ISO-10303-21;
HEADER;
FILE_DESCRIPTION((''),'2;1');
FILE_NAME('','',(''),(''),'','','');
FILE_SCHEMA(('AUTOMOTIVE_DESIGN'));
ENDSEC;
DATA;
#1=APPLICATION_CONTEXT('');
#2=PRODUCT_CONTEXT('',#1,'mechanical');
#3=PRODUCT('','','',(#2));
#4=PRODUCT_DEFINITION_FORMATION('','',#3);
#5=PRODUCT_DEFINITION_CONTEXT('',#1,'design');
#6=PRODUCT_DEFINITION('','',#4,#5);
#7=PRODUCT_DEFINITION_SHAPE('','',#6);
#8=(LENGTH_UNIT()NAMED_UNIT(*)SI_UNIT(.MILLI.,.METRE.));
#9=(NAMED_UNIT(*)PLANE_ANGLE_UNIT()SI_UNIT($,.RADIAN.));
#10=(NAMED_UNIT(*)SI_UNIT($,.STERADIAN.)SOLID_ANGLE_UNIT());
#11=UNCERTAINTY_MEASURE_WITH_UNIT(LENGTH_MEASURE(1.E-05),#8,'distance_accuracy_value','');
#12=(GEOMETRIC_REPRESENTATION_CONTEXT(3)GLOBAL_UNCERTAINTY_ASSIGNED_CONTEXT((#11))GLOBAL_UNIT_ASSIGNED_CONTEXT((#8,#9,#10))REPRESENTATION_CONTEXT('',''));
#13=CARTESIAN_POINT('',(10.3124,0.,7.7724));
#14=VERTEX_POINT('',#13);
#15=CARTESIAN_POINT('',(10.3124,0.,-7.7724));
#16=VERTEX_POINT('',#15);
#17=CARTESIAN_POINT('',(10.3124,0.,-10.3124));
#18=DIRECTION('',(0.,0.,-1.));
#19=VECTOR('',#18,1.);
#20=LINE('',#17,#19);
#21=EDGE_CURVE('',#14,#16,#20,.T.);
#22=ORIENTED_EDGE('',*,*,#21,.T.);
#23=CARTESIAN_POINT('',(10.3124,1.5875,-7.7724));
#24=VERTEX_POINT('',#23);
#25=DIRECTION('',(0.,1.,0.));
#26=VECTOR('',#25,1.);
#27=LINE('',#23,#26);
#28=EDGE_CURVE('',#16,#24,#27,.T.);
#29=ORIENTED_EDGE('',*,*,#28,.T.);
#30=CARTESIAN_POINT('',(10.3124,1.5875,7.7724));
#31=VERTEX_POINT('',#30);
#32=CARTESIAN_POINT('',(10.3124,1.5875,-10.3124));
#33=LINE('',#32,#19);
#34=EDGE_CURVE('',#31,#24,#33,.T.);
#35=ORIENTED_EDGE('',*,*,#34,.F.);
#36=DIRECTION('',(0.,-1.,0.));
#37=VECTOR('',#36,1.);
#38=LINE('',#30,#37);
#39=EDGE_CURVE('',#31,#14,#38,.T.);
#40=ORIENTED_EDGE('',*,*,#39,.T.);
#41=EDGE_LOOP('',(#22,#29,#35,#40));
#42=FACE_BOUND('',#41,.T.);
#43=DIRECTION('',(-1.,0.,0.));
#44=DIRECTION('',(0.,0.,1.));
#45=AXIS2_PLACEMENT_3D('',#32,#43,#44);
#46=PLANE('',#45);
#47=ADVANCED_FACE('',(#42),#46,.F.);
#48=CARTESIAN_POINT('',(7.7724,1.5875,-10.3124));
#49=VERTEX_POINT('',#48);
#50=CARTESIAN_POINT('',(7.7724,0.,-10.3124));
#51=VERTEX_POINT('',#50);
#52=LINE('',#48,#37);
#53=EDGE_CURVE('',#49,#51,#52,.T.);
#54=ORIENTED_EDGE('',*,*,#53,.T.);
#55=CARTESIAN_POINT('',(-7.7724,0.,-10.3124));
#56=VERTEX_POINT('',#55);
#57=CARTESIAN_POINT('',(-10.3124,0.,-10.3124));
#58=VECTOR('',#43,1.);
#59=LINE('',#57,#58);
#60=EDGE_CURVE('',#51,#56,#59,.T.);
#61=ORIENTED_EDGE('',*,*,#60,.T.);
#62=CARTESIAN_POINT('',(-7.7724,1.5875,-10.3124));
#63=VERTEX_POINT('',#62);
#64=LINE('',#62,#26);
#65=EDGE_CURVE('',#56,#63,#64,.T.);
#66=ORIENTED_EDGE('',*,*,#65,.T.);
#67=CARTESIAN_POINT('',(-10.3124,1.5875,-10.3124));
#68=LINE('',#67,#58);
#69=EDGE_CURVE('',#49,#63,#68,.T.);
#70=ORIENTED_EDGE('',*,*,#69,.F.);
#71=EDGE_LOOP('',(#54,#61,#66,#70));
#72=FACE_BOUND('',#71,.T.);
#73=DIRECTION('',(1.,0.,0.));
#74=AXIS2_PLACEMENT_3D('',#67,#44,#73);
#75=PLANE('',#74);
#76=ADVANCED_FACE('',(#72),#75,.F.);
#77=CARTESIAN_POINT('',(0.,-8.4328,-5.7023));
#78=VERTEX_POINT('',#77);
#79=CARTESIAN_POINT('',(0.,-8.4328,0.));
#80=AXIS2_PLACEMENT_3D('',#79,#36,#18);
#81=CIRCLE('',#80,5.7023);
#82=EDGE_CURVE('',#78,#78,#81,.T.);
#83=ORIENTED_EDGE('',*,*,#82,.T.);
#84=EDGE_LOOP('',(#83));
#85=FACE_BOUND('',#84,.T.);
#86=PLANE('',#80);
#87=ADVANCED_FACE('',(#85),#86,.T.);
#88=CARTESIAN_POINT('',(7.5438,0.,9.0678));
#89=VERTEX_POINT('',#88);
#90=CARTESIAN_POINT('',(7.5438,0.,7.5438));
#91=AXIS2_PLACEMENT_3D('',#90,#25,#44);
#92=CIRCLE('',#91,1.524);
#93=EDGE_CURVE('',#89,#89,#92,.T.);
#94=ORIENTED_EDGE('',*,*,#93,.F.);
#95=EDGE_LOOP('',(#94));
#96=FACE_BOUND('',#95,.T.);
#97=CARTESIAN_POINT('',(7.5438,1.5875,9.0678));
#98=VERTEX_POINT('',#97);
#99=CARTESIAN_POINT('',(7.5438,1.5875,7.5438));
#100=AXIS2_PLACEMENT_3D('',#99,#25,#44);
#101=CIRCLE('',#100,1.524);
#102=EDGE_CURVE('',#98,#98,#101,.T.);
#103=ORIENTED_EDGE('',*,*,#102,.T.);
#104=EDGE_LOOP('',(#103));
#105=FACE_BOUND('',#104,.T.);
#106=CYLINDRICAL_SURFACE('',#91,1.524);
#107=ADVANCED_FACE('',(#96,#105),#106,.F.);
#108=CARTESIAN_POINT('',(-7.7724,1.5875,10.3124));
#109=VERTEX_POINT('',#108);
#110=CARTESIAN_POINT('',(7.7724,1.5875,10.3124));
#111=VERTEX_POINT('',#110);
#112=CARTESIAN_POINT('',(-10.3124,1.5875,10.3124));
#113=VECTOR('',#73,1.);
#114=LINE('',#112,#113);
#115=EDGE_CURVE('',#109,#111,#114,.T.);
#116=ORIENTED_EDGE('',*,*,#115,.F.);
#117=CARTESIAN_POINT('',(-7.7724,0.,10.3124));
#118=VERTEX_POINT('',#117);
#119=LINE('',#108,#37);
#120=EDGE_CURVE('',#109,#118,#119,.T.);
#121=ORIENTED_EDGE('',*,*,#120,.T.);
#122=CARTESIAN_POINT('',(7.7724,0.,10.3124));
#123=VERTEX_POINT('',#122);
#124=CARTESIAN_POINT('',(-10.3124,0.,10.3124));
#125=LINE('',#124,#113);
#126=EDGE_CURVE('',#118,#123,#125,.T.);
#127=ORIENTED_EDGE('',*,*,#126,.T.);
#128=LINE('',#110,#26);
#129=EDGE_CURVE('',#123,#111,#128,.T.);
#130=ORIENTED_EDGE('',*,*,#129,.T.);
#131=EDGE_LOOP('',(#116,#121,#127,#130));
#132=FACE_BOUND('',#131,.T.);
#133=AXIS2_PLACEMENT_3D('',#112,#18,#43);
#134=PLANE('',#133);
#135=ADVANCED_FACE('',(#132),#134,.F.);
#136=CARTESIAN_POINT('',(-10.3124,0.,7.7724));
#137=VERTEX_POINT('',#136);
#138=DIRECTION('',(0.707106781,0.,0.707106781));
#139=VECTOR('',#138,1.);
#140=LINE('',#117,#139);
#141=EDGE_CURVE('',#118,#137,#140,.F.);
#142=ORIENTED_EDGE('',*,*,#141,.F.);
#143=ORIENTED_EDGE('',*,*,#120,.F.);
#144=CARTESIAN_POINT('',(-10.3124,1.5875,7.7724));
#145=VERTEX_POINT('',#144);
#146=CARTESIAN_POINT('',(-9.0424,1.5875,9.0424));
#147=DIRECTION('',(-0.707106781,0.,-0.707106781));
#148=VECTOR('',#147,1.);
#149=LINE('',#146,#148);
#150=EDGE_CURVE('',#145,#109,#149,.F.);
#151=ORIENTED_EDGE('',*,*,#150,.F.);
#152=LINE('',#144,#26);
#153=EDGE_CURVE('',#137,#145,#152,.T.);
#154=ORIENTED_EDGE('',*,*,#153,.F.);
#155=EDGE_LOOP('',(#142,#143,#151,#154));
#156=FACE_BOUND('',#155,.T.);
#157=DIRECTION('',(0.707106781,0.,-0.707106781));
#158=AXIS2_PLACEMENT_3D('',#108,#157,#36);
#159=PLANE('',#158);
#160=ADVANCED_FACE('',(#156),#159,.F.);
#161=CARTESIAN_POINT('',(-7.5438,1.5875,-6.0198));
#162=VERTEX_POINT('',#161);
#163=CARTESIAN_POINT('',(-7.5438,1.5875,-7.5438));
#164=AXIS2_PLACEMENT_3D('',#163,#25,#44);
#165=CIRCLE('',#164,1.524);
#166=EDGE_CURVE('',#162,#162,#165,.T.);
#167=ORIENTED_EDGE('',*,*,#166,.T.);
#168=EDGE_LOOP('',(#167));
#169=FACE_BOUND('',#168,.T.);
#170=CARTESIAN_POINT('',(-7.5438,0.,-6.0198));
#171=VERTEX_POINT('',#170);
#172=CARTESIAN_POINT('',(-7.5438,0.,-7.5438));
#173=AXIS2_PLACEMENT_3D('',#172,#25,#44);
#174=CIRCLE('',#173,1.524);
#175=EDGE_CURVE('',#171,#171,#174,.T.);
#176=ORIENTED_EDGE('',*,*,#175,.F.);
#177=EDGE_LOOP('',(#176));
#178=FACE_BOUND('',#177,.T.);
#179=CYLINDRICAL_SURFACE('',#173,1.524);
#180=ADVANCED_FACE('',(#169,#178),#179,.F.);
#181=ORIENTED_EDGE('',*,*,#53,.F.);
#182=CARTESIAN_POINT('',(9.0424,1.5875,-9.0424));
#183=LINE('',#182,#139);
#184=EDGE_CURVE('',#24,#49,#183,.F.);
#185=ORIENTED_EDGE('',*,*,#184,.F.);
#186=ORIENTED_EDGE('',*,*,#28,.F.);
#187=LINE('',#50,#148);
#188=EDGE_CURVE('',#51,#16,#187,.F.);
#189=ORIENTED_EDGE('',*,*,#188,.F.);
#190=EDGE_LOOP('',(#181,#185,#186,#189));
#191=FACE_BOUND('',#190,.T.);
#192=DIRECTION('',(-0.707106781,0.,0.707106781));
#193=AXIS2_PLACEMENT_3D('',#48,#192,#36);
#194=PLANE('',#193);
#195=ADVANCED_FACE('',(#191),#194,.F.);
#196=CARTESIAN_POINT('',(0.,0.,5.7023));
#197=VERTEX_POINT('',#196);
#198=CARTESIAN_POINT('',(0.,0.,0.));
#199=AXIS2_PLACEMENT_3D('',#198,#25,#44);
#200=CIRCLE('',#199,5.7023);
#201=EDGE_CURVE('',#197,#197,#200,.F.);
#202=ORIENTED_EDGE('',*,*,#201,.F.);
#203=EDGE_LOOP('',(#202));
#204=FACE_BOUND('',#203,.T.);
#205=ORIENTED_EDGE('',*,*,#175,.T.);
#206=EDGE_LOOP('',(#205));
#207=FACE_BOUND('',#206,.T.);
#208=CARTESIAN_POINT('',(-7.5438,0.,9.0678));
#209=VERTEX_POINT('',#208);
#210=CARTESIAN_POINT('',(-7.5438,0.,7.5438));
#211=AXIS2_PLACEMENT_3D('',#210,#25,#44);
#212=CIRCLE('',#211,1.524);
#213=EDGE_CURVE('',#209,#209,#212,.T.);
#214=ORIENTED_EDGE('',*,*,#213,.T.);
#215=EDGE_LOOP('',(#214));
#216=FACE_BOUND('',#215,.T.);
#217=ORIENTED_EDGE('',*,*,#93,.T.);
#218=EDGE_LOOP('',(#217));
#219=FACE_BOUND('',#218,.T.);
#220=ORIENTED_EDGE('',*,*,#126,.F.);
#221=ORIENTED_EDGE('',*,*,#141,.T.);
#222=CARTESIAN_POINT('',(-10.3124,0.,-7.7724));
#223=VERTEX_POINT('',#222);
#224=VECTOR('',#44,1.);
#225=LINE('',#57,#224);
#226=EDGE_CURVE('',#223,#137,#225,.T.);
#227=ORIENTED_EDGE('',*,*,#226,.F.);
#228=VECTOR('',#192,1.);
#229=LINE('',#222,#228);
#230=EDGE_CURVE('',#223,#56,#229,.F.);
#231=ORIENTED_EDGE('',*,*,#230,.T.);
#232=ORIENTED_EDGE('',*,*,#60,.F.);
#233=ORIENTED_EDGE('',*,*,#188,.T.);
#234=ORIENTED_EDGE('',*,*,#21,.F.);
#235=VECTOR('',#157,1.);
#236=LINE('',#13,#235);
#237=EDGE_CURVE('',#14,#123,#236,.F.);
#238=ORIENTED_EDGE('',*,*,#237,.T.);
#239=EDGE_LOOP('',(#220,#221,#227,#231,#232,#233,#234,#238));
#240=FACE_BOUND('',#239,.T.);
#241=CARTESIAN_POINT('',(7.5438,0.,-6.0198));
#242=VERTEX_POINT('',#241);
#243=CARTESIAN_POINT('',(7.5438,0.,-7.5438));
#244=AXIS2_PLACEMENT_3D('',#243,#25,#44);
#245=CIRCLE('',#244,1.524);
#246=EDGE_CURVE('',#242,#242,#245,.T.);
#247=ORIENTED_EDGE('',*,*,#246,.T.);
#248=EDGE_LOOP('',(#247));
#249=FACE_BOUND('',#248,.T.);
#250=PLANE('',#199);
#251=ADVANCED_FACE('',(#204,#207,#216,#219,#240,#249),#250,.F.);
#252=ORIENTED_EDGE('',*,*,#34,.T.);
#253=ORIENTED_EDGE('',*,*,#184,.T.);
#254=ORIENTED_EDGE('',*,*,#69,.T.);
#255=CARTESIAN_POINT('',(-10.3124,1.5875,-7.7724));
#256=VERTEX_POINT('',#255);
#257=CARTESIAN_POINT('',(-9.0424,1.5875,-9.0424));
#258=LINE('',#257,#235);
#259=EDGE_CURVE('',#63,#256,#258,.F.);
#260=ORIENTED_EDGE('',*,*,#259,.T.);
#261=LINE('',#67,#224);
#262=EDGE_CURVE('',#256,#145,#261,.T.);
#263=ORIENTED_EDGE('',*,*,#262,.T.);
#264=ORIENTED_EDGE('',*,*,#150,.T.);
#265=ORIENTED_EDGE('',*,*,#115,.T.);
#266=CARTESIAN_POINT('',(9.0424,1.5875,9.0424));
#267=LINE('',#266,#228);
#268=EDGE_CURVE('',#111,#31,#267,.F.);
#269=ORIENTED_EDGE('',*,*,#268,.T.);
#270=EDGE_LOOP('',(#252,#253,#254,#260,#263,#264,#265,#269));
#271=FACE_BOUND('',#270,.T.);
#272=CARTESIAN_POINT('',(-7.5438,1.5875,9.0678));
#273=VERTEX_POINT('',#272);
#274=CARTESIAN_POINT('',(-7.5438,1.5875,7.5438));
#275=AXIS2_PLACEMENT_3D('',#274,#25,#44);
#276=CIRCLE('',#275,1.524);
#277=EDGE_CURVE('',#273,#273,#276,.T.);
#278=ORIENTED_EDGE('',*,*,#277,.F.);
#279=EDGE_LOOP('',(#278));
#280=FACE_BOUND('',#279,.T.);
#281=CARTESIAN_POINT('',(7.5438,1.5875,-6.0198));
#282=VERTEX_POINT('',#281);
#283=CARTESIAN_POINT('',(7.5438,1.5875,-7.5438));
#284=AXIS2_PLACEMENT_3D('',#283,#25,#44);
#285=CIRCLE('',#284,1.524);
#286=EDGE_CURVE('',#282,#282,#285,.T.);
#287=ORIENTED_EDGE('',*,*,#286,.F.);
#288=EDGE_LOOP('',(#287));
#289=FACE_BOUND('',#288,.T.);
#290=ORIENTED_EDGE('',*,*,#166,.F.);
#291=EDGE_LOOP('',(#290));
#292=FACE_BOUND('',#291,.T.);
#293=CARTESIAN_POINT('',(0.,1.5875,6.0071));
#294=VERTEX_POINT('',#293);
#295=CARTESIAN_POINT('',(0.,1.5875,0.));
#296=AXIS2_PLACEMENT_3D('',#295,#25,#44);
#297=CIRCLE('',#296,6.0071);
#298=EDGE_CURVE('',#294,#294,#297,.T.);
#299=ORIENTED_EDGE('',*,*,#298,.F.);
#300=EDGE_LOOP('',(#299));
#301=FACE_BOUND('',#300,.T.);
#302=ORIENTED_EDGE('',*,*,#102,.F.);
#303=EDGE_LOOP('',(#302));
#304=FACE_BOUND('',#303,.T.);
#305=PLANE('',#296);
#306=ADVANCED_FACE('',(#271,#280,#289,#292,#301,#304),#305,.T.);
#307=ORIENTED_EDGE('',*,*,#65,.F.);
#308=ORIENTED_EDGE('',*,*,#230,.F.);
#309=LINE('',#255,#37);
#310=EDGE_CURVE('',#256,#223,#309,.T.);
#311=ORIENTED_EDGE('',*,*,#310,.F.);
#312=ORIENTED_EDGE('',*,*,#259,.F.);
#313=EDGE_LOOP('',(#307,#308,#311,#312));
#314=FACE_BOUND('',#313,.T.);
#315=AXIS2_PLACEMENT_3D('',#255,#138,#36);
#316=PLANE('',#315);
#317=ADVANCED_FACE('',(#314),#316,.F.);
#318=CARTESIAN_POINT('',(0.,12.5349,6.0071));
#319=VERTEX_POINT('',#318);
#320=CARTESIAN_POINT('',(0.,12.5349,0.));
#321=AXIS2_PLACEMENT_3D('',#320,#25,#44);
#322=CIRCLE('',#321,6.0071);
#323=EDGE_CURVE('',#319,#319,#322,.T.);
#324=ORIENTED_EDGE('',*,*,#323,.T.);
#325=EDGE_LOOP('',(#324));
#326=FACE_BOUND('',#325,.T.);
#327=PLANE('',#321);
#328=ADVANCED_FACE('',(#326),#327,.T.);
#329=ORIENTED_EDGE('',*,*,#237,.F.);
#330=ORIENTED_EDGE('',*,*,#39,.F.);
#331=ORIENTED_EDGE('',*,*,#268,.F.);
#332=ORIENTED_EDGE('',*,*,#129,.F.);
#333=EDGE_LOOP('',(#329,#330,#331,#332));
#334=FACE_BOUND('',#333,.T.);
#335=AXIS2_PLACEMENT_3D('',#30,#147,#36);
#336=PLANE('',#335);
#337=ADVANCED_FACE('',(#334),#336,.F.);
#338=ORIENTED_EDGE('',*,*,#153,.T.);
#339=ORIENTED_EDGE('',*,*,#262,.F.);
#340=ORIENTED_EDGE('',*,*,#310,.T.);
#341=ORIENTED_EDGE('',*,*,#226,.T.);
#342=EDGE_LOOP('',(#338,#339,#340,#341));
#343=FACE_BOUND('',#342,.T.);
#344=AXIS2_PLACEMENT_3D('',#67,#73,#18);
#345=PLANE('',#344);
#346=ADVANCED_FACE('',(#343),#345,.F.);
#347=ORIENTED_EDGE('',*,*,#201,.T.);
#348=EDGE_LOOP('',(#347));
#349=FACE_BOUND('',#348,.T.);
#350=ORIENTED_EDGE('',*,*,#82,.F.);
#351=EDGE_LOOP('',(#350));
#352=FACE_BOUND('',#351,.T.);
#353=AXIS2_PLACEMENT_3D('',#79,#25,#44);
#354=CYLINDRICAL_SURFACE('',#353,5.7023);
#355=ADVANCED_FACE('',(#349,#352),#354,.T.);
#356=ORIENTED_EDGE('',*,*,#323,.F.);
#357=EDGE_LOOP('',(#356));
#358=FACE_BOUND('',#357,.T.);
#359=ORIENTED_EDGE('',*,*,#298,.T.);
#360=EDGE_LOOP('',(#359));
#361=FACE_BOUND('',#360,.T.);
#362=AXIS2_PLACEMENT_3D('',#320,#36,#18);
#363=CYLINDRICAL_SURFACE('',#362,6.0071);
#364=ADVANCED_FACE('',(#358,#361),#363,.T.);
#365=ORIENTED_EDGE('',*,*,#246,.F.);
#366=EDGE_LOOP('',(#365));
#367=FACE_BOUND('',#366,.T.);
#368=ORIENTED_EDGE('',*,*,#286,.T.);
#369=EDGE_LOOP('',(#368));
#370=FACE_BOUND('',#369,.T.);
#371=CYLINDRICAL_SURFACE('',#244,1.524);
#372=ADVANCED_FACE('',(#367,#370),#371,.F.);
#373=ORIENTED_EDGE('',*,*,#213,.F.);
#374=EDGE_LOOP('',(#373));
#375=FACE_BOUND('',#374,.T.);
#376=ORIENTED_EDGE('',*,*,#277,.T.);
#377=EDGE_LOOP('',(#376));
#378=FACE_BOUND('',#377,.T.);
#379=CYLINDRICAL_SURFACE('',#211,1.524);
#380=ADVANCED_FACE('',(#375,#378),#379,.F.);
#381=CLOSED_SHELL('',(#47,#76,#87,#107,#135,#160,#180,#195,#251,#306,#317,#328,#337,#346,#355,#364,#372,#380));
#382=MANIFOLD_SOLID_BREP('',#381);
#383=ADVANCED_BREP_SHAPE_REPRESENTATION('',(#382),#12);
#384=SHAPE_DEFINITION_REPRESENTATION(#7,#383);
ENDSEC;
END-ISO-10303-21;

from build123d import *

# Parameters (mm, degrees)
SKETCH1_W           = 20.6248
SKETCH1_H           = 20.6248
BOSS_EXTRUDE1_DEPTH = 1.5875
CHAMFER1_SIZE       = 2.54
SKETCH2_R           = 1.524
CUT_EXTRUDE1_DEPTH  = 15.670083291
SKETCH3_R           = 6.0071
BOSS_EXTRUDE2_DEPTH = 10.9474
SKETCH4_R           = 5.7023
BOSS_EXTRUDE3_DEPTH = 8.4328


with BuildPart() as part:
    # Sketch1 → Boss-Extrude1 (new body)
    with BuildSketch(Plane(origin=(0, 0, 0), x_dir=(1, 0, 0), z_dir=(0, 1, 0))):
        Rectangle(SKETCH1_W, SKETCH1_H)
    extrude(amount=BOSS_EXTRUDE1_DEPTH)

    # Chamfer1
    chamfer1_edges = [part.edges().sort_by_distance(p)[0] for p in [
        (10.3124, 0.79375, 10.3124),
        (-10.3124, 0.79375, 10.3124),
        (-10.3124, 0.79375, -10.3124),
        (10.3124, 0.79375, -10.3124),
    ]]
    chamfer(chamfer1_edges, length=CHAMFER1_SIZE)

    # Sketch2 → Cut-Extrude1 (cut, through all)
    with BuildSketch(Plane(origin=(0, 1.5875, 0), x_dir=(1, 0, 0), z_dir=(0, 1, 0))):
        with Locations(Location((-7.5438, 7.5438, 0), (0, 0, 270))):
            Circle(SKETCH2_R)
        with Locations(Location((7.5438, 7.5438, 0), (0, 0, 270))):
            Circle(SKETCH2_R)
        with Locations(Location((7.5438, -7.5438, 0), (0, 0, 270))):
            Circle(SKETCH2_R)
        with Locations(Location((-7.5438, -7.5438, 0), (0, 0, 270))):
            Circle(SKETCH2_R)
    extrude(amount=-CUT_EXTRUDE1_DEPTH, mode=Mode.SUBTRACT)

    # Sketch3 → Boss-Extrude2 (add)
    with BuildSketch(Plane(origin=(0, 1.5875, 0), x_dir=(1, 0, 0), z_dir=(0, 1, 0))):
        with Locations(Location((0, 0, 0), (0, 0, 270))):
            Circle(SKETCH3_R)
    extrude(amount=BOSS_EXTRUDE2_DEPTH)

    # Sketch4 → Boss-Extrude3 (add)
    with BuildSketch(Plane.XZ):
        with Locations(Location((0, 0, 0), (0, 0, 90))):
            Circle(SKETCH4_R)
    extrude(amount=BOSS_EXTRUDE3_DEPTH)


solid = part.part
